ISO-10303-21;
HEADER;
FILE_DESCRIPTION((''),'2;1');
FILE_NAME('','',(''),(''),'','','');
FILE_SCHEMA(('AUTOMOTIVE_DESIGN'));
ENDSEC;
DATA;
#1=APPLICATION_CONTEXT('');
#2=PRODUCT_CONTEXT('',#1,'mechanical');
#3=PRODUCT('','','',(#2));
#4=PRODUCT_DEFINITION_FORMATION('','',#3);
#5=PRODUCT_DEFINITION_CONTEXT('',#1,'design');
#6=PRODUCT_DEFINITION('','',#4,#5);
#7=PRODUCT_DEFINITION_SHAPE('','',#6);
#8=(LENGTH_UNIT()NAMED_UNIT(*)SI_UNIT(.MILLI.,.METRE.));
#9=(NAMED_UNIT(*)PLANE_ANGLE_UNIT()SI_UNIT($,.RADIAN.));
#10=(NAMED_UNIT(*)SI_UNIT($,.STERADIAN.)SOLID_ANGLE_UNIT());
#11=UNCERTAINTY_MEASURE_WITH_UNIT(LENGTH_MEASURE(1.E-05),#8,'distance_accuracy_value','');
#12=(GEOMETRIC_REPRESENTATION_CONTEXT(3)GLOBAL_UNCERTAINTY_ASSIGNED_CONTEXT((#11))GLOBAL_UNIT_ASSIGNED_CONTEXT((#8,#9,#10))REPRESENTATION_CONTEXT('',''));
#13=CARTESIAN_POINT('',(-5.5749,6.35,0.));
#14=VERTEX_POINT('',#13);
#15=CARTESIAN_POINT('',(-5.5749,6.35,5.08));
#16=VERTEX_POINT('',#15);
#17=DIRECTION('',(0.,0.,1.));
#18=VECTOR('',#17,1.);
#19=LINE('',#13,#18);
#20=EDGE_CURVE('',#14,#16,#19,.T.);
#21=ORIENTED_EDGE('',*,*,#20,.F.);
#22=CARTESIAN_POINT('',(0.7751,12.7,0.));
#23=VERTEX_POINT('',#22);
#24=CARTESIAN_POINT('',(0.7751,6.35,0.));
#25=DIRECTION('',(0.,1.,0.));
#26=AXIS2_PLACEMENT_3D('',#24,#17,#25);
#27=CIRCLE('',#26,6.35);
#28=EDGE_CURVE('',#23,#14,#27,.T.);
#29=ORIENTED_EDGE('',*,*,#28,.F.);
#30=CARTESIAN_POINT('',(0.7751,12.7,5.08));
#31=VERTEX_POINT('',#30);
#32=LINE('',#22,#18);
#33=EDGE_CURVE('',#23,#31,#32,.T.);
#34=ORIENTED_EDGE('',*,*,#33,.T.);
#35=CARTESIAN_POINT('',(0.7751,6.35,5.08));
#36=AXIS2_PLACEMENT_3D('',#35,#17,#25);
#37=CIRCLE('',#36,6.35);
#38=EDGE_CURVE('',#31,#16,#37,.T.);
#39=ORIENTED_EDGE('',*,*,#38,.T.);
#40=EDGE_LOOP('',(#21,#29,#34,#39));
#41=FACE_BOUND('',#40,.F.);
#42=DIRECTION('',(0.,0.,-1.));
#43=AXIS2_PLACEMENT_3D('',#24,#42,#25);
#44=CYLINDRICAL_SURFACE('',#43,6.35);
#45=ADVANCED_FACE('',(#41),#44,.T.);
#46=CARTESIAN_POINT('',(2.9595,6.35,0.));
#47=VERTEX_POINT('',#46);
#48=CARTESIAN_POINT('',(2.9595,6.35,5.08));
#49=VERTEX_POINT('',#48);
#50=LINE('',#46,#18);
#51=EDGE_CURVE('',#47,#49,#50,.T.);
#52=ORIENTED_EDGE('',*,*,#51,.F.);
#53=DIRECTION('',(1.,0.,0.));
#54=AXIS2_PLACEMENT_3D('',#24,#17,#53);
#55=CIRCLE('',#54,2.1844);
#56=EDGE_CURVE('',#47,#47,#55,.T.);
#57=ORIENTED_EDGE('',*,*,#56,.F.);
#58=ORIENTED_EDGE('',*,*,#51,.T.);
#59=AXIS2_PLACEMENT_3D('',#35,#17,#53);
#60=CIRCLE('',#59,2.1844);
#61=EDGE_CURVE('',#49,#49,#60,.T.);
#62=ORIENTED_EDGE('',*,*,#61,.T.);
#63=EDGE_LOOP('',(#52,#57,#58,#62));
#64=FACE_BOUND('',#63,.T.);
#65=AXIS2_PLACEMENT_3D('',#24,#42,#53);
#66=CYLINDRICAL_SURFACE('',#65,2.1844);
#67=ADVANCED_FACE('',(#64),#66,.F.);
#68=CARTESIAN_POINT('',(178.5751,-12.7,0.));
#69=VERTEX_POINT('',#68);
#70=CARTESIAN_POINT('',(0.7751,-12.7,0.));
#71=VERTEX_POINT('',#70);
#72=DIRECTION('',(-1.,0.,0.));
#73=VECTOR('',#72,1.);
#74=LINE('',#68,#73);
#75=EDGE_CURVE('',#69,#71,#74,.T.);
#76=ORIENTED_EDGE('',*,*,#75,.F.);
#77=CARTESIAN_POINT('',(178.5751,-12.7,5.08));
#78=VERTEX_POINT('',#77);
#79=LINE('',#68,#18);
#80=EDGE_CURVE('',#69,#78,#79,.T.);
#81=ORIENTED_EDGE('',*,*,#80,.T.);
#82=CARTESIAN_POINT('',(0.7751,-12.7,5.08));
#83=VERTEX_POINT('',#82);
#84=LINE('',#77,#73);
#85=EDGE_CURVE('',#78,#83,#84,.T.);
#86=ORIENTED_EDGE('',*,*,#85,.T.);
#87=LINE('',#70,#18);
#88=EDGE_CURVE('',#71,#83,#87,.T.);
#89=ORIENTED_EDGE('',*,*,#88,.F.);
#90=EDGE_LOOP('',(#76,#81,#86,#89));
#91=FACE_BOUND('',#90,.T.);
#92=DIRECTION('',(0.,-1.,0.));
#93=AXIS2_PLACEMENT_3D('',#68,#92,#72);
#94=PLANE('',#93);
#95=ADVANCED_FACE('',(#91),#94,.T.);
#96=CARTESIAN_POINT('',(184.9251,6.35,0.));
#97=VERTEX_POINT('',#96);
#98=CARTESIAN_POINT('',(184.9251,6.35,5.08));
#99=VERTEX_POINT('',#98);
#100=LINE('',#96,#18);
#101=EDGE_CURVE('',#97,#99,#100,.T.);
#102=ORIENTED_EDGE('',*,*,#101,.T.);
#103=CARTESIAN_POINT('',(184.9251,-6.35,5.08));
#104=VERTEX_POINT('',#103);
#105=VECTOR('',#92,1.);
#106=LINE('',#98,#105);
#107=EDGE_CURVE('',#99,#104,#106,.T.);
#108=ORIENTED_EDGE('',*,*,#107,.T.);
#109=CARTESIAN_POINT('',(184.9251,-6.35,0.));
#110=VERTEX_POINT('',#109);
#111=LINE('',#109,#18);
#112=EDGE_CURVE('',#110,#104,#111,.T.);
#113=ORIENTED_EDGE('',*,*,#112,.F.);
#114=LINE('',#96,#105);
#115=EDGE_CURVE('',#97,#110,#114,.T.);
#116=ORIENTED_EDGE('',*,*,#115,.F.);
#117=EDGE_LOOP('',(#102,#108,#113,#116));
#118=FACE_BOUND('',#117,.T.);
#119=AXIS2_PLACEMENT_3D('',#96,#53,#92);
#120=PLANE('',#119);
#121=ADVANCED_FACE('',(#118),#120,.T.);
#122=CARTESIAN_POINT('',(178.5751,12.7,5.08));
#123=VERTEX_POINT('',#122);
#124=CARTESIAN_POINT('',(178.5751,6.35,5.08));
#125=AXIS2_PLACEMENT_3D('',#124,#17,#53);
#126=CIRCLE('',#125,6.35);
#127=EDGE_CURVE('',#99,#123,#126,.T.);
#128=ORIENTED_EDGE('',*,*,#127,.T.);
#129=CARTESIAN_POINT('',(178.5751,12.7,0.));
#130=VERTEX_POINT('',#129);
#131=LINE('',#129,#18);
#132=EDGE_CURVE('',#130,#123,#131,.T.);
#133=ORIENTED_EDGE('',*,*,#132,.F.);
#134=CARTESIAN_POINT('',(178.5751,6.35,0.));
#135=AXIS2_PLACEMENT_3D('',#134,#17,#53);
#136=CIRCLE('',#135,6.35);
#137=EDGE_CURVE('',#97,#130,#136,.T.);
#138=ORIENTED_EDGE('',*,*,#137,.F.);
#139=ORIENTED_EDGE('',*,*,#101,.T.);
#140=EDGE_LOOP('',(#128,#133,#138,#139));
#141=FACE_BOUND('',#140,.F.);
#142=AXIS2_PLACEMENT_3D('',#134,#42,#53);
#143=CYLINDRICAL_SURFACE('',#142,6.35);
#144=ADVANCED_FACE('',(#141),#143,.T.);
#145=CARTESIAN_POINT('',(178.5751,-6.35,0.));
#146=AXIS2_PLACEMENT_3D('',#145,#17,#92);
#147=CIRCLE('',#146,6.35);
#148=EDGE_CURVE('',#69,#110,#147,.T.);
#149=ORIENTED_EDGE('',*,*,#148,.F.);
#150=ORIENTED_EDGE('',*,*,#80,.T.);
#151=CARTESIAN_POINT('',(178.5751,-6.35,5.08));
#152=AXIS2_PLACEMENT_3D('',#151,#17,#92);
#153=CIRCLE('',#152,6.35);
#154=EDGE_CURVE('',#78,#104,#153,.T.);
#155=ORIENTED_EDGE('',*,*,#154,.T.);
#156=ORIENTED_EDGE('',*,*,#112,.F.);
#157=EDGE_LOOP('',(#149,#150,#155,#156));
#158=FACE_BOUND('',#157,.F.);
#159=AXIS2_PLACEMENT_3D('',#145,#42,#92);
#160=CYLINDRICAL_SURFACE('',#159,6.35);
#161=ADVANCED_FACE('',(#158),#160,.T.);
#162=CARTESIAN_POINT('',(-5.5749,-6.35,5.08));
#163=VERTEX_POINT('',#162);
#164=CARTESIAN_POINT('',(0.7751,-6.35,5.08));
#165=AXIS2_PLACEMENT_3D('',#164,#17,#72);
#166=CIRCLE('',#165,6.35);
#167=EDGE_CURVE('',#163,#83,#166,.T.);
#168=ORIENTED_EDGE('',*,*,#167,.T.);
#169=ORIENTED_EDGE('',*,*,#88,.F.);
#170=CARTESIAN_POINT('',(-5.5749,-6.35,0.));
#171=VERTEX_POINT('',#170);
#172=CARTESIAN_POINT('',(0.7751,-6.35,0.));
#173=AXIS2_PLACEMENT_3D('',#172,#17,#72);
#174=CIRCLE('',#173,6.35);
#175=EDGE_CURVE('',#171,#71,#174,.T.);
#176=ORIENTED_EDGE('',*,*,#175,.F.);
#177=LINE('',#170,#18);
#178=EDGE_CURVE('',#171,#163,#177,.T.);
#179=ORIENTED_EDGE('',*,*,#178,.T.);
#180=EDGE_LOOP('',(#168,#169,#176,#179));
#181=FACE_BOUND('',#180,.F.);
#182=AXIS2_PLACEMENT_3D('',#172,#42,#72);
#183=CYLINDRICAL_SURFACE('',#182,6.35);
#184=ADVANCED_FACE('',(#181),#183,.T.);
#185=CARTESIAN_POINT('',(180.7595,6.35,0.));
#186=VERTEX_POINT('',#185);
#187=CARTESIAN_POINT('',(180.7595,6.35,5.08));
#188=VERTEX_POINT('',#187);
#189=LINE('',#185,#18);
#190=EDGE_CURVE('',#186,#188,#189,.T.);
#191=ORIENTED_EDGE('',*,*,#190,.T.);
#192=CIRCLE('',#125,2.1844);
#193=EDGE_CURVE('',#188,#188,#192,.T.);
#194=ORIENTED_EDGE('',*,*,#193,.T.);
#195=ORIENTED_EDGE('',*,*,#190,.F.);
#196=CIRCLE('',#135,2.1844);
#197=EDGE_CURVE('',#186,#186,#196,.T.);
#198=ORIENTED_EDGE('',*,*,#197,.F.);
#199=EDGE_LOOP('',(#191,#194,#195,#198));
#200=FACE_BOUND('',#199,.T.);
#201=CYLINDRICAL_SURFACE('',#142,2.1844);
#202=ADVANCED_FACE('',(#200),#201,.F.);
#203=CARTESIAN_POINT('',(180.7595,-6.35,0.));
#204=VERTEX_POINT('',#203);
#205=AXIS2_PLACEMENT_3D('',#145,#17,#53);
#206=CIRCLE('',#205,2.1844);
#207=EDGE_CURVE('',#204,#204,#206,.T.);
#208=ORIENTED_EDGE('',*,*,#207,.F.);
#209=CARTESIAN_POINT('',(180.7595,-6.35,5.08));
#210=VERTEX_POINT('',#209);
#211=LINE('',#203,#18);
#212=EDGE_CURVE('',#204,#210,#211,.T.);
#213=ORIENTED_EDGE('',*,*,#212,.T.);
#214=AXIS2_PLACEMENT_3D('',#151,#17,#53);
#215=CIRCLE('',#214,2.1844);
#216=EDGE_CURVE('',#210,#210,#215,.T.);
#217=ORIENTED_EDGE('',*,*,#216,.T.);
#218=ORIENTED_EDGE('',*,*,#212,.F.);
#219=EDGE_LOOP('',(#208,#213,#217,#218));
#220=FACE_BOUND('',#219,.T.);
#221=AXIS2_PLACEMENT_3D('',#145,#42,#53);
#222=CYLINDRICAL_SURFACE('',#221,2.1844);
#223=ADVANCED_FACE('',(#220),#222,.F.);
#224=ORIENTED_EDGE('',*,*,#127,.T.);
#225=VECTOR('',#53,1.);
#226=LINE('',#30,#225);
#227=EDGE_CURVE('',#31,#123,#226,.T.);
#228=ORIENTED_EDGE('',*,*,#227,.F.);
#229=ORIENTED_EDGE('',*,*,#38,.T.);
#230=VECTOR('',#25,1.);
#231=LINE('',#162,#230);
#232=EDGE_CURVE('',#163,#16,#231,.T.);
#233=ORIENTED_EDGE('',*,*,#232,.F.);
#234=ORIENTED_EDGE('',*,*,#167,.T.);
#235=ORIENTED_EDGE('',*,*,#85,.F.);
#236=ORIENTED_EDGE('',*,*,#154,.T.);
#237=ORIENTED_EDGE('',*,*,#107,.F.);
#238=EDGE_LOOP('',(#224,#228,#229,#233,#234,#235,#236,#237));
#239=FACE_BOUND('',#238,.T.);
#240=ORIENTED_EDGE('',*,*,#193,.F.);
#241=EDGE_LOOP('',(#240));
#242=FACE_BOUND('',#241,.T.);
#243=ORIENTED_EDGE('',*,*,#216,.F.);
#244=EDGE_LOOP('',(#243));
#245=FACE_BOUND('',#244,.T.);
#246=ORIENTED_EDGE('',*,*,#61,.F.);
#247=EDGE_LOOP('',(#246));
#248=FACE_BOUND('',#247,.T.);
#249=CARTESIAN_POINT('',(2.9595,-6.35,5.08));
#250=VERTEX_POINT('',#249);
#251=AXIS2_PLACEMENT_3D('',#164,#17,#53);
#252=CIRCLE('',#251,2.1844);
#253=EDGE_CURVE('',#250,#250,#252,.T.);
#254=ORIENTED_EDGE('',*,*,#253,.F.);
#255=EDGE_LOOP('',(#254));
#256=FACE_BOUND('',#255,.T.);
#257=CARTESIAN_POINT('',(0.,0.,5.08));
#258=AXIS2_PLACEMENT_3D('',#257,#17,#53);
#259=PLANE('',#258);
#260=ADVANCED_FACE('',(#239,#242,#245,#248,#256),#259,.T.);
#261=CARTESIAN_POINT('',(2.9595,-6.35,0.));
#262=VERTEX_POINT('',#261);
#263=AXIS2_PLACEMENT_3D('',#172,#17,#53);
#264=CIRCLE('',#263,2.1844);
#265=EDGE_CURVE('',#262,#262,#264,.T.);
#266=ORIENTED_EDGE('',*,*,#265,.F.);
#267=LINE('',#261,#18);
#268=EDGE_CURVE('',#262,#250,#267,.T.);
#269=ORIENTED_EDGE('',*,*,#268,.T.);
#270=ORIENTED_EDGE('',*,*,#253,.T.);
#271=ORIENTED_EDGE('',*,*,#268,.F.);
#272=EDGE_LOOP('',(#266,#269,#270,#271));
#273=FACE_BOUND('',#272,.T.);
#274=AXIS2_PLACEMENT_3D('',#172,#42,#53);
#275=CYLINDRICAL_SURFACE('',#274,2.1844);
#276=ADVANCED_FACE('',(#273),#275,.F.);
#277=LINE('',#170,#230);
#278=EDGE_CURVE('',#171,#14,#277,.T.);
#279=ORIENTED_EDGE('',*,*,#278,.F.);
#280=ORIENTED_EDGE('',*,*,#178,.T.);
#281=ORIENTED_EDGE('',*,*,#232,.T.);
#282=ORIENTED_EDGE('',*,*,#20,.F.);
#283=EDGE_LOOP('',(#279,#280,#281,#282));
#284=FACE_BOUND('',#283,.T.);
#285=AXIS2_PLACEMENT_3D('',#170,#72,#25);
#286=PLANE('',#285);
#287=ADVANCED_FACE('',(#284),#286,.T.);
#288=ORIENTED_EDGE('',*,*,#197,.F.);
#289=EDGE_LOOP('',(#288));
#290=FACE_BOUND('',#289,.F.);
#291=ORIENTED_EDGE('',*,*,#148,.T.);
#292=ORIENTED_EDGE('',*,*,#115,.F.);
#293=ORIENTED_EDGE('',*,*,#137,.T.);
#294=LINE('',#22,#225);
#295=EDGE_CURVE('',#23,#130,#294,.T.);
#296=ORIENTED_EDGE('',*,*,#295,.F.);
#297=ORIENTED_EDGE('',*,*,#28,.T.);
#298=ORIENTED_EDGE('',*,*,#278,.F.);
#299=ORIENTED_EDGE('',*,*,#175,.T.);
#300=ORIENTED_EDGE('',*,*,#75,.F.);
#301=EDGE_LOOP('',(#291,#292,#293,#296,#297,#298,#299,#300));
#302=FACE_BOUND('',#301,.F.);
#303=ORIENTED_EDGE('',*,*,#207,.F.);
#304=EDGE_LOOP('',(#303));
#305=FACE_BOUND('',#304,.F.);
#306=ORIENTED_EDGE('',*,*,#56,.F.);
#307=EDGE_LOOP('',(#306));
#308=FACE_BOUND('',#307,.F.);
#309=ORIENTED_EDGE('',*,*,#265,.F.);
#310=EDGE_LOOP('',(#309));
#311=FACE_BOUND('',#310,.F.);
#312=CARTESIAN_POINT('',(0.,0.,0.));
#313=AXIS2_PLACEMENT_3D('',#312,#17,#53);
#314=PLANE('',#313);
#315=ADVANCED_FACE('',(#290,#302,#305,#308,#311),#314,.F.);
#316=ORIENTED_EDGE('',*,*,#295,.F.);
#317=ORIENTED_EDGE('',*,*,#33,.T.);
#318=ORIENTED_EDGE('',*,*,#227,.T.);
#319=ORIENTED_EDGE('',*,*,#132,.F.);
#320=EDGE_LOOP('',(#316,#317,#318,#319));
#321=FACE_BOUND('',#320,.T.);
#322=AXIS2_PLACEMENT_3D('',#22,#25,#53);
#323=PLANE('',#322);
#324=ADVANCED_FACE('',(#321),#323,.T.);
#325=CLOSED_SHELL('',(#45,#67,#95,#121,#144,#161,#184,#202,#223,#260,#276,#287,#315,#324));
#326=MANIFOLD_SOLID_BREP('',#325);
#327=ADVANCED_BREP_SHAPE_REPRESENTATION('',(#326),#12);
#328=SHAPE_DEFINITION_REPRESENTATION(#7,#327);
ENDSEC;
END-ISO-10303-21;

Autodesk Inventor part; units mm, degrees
ref_plane "YZ Plane" through (0, 0, 0) normal (1, 0, 0) x (0, 1, 0)
ref_plane "XZ Plane" through (0, 0, 0) normal (0, 1, 0) x (-1, 0, 0)
ref_plane "XY Plane" through (0, 0, 0) normal (0, 0, 1) x (1, 0, 0)
sketch "Sketch1" plane through (0, 0, 0) normal (0, 0, 1) x (1, 0, 0)
  circle A0 centre (0.7751, -6.35) radius 2.1844 projected
  circle A1 centre (0.7751, 6.35) radius 2.1844 projected
  circle A2 centre (178.5751, 6.35) radius 2.1844 projected
  circle A3 centre (178.5751, -6.35) radius 2.1844 projected
  line L0 (178.5751, -12.7) -> (0.7751, -12.7)
  line L1 (-5.5749, -6.35) -> (-5.5749, 6.35)
  line L2 (0.7751, 12.7) -> (178.5751, 12.7)
  line L3 (184.9251, 6.35) -> (184.9251, -6.35)
  line L4 (184.9251, -12.7) -> (-5.5749, 12.7) construction
  line L5 (-5.5749, -12.7) -> (184.9251, 12.7) construction
  arc A4 (178.5751, -12.7) -> (184.9251, -6.35) centre (178.5751, -6.35) ccw
  arc A5 (184.9251, 6.35) -> (178.5751, 12.7) centre (178.5751, 6.35) ccw
  arc A6 (0.7751, 12.7) -> (-5.5749, 6.35) centre (0.7751, 6.35) ccw
  arc A7 (-5.5749, -6.35) -> (0.7751, -12.7) centre (0.7751, -6.35) ccw
  point P0 (0, 0)
  point P1 (89.6751, 0)
  dimension "d0" = 190.5
  dimension "d1" = 6.35
  dimension "d2" = 6.35
  dimension "d3" = 6.35
  dimension "d4" = 6.35
extrude "Extrusion1" add sketch "Sketch1" along normal blind 5.08
properties part number "intakebrace"
